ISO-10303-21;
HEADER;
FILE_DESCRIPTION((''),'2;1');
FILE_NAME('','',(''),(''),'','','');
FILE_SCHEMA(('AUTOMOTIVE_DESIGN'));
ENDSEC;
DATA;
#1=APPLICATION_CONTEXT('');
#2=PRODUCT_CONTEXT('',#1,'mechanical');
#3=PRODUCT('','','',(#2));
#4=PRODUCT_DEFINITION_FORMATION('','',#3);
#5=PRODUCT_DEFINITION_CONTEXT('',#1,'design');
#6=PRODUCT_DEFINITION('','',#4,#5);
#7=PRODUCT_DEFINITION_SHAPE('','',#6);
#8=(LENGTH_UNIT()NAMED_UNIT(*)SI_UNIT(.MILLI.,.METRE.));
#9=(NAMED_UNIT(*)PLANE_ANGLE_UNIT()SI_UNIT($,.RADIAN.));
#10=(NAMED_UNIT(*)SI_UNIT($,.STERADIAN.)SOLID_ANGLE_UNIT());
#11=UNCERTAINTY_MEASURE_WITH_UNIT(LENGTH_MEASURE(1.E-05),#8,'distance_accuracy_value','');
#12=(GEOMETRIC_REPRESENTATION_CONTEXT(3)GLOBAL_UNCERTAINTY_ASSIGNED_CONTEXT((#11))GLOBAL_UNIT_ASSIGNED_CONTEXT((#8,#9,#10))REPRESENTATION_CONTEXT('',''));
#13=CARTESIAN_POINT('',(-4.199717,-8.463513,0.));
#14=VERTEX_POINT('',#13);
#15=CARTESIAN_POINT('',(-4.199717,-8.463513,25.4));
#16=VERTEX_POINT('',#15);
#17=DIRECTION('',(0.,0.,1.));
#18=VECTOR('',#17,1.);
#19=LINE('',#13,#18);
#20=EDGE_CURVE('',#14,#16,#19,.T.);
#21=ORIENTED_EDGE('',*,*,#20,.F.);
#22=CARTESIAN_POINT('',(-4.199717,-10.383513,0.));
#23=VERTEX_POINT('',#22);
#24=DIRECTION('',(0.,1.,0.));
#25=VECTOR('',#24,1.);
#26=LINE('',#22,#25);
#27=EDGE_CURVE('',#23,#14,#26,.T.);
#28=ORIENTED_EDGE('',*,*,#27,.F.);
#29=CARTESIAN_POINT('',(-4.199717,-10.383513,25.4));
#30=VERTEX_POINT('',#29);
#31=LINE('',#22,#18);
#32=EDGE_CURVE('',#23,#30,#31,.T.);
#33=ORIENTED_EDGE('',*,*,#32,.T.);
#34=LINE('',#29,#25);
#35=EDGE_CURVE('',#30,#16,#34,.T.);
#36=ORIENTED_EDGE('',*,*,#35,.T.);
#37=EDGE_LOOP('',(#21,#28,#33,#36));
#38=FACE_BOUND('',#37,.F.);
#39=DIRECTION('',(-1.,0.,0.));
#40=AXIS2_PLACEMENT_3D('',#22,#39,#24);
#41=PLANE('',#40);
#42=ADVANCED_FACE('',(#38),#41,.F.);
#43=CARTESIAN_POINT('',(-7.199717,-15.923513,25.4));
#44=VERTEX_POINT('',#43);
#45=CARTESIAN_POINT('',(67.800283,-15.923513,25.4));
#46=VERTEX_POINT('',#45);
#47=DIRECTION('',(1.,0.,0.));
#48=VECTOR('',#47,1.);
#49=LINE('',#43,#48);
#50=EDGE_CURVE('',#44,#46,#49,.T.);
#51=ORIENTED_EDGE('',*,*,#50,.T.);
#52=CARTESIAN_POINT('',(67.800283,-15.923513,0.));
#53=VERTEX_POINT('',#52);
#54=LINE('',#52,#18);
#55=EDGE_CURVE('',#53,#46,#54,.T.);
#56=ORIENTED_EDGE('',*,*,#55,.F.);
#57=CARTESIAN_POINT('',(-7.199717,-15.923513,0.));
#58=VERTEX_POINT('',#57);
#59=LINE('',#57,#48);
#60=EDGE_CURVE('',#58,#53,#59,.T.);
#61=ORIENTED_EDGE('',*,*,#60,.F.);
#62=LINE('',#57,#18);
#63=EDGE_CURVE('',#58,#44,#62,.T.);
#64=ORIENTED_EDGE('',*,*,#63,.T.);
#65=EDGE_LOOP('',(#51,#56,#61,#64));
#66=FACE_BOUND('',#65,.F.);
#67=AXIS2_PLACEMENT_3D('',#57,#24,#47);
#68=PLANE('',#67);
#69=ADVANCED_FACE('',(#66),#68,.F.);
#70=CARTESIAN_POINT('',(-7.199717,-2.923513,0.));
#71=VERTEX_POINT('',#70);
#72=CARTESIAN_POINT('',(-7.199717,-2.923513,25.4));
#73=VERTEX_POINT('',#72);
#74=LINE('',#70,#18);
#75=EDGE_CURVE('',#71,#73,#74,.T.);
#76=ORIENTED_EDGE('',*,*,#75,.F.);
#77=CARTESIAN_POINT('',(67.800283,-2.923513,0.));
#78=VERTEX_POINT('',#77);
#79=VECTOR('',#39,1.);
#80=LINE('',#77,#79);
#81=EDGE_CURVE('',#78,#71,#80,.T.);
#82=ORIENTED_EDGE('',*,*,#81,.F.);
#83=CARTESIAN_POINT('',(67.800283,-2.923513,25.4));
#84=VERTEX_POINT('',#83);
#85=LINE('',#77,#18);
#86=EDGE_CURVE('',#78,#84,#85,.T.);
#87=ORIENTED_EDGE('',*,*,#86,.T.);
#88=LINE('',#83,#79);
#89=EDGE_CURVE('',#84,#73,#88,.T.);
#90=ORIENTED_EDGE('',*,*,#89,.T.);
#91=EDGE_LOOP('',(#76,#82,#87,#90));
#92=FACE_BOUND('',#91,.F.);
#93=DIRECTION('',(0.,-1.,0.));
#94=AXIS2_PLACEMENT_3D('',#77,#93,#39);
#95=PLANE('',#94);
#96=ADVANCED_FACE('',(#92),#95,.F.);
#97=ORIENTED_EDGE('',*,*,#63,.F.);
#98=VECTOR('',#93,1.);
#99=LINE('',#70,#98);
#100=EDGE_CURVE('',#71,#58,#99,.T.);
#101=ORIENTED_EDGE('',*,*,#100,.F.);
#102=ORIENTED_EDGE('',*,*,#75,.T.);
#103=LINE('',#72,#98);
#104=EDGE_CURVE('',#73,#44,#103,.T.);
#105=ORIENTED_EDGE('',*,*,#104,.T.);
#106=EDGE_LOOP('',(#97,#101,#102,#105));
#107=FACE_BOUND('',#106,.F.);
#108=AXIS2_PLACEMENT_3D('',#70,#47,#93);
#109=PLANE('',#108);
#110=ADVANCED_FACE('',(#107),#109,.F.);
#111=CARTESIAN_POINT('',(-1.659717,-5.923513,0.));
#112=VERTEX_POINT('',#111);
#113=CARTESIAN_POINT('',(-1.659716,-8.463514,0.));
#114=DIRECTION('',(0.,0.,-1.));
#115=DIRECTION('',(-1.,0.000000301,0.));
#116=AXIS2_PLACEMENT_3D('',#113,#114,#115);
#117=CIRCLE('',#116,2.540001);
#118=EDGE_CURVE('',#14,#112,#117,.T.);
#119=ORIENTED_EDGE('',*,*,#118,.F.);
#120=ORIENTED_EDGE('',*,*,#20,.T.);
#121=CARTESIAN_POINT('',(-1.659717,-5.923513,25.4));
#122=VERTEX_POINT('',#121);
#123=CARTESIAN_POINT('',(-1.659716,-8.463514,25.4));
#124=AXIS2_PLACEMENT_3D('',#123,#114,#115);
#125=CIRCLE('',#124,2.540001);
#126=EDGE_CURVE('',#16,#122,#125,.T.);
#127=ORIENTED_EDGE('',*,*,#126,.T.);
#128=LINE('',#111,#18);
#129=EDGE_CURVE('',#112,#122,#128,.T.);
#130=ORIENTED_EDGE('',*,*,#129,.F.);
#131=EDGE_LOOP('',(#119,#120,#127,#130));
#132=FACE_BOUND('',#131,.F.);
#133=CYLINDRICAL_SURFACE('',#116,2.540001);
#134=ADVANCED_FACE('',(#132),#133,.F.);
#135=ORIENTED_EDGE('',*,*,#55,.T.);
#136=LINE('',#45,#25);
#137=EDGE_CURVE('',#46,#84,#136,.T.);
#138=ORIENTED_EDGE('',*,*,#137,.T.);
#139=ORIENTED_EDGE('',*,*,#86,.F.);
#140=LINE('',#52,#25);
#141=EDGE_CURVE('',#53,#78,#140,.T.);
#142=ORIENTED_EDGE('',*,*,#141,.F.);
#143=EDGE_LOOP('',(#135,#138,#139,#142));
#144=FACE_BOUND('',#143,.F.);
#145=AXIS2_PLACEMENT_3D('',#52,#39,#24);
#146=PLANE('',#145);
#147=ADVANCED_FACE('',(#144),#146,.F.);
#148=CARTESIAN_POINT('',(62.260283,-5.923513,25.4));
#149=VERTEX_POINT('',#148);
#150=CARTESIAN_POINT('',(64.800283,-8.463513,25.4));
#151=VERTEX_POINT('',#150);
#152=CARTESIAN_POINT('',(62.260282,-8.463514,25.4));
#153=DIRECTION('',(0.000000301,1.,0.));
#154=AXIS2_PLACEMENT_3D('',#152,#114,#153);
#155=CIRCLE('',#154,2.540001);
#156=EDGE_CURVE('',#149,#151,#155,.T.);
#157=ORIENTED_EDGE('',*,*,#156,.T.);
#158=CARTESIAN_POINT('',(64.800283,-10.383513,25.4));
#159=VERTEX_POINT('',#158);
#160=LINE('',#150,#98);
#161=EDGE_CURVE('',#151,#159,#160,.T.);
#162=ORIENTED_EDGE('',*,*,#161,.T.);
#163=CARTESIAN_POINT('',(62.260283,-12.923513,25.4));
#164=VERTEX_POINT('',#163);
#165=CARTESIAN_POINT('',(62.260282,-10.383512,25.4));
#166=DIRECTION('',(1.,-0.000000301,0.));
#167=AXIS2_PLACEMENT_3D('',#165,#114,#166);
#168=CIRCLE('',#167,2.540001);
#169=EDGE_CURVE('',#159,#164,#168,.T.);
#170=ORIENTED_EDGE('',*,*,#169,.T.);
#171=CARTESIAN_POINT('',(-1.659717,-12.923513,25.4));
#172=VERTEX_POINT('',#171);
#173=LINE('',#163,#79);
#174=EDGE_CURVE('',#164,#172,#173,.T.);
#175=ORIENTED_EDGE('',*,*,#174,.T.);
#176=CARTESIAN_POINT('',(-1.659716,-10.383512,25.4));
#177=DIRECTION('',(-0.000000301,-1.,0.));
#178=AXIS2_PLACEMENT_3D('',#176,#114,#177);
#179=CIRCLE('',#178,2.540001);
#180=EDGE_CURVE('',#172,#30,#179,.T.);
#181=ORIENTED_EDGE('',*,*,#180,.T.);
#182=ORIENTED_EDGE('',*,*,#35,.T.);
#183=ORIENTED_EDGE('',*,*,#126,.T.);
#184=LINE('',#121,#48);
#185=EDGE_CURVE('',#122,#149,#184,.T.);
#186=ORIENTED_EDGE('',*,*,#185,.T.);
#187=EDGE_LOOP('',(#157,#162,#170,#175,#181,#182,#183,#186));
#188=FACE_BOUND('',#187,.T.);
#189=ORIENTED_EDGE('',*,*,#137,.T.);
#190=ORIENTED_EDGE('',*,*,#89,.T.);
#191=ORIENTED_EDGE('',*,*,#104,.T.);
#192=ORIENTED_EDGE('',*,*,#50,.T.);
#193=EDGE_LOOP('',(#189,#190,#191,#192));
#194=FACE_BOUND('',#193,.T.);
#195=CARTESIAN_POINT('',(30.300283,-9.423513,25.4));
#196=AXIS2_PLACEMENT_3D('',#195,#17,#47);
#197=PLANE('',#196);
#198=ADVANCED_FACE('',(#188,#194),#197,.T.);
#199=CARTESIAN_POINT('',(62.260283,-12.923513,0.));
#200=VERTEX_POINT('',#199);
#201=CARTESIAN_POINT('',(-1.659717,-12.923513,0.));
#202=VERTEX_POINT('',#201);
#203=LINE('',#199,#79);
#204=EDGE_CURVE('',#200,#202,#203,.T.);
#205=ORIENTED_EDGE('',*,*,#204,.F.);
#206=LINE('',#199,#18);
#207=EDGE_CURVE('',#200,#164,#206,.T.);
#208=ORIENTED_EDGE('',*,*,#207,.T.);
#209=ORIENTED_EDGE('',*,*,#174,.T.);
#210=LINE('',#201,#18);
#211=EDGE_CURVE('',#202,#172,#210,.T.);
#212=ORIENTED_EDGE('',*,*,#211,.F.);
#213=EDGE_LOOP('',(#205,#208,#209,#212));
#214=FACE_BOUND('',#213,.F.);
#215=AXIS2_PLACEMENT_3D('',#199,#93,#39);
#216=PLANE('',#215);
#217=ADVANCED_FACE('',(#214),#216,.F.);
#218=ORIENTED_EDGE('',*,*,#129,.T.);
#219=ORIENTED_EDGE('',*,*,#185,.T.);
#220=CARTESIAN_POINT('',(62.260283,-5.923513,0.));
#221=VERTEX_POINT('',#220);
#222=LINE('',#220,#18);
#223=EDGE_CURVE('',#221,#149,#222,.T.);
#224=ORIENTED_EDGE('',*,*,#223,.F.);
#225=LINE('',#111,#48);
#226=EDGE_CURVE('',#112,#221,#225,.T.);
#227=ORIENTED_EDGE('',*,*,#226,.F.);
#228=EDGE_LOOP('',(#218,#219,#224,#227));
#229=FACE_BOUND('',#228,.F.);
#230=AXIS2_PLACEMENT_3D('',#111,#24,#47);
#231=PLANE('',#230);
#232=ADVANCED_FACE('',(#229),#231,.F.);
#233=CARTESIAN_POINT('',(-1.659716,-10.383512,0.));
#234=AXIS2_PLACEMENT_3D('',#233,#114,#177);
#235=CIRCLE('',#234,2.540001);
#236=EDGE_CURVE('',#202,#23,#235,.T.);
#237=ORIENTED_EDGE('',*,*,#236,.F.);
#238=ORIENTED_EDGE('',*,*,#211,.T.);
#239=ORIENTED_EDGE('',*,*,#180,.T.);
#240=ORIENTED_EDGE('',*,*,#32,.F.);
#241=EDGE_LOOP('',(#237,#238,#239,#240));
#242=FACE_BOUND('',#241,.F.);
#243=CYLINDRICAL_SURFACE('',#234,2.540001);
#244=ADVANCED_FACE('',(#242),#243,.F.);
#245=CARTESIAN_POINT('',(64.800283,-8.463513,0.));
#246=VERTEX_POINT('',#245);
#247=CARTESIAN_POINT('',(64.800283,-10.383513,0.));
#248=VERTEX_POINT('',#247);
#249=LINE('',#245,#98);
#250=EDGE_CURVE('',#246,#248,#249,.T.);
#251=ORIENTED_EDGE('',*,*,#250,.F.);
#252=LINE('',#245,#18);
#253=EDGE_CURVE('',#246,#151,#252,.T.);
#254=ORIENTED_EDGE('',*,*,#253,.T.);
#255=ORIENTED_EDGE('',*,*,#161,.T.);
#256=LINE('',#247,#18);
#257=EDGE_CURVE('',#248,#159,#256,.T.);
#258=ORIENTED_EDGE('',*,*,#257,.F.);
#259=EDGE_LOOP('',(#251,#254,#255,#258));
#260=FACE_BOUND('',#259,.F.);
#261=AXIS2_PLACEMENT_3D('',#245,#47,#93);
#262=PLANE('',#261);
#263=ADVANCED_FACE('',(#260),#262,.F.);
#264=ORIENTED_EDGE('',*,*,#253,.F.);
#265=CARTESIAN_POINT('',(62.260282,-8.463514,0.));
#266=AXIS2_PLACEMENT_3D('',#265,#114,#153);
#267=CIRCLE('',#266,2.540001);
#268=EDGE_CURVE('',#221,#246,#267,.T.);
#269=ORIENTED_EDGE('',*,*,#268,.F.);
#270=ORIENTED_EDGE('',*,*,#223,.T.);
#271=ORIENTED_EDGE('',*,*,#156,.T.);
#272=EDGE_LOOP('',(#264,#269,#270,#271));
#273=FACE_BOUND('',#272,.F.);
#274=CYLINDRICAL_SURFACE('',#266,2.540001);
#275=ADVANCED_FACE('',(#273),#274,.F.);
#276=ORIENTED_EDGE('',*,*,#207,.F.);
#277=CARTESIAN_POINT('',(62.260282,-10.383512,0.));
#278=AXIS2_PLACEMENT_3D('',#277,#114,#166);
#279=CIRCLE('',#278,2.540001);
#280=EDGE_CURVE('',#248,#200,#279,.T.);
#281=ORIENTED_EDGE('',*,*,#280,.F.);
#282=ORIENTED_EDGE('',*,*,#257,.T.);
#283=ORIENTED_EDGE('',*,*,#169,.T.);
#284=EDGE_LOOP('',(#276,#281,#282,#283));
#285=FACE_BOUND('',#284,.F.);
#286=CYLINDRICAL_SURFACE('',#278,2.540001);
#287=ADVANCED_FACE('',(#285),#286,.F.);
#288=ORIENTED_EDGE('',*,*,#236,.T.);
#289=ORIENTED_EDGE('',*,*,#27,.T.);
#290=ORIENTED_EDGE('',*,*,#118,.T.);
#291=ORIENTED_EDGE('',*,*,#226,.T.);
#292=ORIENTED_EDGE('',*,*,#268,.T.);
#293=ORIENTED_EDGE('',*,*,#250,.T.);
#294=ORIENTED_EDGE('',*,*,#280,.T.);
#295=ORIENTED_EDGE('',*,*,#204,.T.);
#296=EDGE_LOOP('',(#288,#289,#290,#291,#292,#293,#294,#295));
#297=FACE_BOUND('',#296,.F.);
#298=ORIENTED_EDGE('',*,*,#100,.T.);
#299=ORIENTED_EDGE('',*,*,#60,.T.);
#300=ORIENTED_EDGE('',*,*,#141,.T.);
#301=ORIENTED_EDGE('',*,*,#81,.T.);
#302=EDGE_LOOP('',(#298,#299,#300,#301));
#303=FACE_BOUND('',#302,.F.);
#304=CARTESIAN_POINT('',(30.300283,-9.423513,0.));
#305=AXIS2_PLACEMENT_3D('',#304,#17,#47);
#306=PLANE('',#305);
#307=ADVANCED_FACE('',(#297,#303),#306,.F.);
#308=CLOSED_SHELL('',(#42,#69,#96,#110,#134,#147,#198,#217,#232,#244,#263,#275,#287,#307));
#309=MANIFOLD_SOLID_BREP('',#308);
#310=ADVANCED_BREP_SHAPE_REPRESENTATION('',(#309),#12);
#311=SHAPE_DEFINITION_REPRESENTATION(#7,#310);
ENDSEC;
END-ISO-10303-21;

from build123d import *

# Parameters (mm, degrees)
F1_DEPTH = 25.4


with BuildPart() as f1:
    # F0 (on Top) → F1 (new body)
    with BuildSketch(Plane.XY):
        Polygon((-7.199717, -15.923513), (-1.659717, -15.923513), (67.800283, -15.923513), (67.800283, -2.923513), (-7.199717, -2.923513), (-7.199717, -12.923513), align=None)
        with BuildLine():
            Line((62.260283, -12.923513), (-1.659717, -12.923513))
            ThreePointArc((-1.659717, -12.923513), (-3.455768, -12.179564), (-4.199717, -10.383513))
            Line((-4.199717, -10.383513), (-4.199717, -8.463513))
            ThreePointArc((-4.199717, -8.463513), (-3.455768, -6.667462), (-1.659717, -5.923513))
            Line((-1.659717, -5.923513), (62.260283, -5.923513))
            ThreePointArc((62.260283, -5.923513), (64.056334, -6.667462), (64.800283, -8.463513))
            Line((64.800283, -8.463513), (64.800283, -10.383513))
            ThreePointArc((64.800283, -10.383513), (64.056334, -12.179564), (62.260283, -12.923513))
        make_face(mode=Mode.SUBTRACT)
    extrude(amount=F1_DEPTH)


solid = f1.part
